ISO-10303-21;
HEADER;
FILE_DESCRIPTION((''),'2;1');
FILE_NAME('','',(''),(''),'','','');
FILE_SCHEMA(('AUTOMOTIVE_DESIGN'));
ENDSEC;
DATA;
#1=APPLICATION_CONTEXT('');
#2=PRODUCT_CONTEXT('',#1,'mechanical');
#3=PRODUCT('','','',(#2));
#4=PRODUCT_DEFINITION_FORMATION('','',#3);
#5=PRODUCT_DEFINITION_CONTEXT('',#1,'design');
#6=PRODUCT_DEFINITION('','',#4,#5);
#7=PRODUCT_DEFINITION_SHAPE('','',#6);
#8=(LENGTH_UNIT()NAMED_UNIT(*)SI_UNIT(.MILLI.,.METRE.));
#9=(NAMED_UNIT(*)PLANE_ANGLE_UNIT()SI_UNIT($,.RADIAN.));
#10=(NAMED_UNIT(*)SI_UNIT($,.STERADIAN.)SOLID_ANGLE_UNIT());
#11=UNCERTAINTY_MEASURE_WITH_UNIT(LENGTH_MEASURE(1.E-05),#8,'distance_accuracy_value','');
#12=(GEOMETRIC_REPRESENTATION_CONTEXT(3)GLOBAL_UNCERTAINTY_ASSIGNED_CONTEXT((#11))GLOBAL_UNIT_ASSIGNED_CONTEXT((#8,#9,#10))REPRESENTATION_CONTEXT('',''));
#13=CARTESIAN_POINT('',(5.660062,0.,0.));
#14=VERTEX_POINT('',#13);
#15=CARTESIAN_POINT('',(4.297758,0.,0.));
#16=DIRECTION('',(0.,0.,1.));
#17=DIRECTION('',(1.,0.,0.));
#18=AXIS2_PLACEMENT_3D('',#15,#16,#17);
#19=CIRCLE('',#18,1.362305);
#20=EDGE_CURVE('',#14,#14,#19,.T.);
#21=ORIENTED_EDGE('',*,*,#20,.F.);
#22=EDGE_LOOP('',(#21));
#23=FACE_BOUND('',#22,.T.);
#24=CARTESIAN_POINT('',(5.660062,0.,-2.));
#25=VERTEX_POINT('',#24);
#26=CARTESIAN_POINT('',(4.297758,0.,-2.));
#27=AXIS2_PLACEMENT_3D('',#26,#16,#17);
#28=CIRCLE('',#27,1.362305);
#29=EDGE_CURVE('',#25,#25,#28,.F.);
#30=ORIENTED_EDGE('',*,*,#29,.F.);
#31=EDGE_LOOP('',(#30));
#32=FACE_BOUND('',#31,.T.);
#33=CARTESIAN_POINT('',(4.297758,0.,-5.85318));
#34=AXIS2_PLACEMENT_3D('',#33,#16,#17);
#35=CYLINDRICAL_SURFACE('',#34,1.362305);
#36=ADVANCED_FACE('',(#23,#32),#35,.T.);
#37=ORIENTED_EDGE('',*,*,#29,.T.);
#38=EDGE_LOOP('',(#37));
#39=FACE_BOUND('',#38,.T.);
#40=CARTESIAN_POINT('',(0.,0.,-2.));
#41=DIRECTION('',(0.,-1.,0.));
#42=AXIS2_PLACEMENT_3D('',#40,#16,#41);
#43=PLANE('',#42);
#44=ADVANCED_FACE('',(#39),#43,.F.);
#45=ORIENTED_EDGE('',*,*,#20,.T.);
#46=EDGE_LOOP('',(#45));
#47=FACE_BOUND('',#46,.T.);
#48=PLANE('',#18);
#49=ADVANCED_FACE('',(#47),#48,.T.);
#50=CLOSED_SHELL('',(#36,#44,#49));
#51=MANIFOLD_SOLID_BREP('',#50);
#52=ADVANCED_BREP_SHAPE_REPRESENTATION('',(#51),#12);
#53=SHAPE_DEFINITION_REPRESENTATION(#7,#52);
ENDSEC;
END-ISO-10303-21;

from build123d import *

# Parameters (mm, degrees)
SKETCH1_R           = 1.362304855
BOSS_EXTRUDE1_DEPTH = 2


with BuildPart() as part:
    # Sketch1 → Boss-Extrude1 (new body)
    with BuildSketch(Plane.XY):
        with Locations((4.297757617, 0)):
            Circle(SKETCH1_R)
    extrude(amount=-BOSS_EXTRUDE1_DEPTH)


solid = part.part
